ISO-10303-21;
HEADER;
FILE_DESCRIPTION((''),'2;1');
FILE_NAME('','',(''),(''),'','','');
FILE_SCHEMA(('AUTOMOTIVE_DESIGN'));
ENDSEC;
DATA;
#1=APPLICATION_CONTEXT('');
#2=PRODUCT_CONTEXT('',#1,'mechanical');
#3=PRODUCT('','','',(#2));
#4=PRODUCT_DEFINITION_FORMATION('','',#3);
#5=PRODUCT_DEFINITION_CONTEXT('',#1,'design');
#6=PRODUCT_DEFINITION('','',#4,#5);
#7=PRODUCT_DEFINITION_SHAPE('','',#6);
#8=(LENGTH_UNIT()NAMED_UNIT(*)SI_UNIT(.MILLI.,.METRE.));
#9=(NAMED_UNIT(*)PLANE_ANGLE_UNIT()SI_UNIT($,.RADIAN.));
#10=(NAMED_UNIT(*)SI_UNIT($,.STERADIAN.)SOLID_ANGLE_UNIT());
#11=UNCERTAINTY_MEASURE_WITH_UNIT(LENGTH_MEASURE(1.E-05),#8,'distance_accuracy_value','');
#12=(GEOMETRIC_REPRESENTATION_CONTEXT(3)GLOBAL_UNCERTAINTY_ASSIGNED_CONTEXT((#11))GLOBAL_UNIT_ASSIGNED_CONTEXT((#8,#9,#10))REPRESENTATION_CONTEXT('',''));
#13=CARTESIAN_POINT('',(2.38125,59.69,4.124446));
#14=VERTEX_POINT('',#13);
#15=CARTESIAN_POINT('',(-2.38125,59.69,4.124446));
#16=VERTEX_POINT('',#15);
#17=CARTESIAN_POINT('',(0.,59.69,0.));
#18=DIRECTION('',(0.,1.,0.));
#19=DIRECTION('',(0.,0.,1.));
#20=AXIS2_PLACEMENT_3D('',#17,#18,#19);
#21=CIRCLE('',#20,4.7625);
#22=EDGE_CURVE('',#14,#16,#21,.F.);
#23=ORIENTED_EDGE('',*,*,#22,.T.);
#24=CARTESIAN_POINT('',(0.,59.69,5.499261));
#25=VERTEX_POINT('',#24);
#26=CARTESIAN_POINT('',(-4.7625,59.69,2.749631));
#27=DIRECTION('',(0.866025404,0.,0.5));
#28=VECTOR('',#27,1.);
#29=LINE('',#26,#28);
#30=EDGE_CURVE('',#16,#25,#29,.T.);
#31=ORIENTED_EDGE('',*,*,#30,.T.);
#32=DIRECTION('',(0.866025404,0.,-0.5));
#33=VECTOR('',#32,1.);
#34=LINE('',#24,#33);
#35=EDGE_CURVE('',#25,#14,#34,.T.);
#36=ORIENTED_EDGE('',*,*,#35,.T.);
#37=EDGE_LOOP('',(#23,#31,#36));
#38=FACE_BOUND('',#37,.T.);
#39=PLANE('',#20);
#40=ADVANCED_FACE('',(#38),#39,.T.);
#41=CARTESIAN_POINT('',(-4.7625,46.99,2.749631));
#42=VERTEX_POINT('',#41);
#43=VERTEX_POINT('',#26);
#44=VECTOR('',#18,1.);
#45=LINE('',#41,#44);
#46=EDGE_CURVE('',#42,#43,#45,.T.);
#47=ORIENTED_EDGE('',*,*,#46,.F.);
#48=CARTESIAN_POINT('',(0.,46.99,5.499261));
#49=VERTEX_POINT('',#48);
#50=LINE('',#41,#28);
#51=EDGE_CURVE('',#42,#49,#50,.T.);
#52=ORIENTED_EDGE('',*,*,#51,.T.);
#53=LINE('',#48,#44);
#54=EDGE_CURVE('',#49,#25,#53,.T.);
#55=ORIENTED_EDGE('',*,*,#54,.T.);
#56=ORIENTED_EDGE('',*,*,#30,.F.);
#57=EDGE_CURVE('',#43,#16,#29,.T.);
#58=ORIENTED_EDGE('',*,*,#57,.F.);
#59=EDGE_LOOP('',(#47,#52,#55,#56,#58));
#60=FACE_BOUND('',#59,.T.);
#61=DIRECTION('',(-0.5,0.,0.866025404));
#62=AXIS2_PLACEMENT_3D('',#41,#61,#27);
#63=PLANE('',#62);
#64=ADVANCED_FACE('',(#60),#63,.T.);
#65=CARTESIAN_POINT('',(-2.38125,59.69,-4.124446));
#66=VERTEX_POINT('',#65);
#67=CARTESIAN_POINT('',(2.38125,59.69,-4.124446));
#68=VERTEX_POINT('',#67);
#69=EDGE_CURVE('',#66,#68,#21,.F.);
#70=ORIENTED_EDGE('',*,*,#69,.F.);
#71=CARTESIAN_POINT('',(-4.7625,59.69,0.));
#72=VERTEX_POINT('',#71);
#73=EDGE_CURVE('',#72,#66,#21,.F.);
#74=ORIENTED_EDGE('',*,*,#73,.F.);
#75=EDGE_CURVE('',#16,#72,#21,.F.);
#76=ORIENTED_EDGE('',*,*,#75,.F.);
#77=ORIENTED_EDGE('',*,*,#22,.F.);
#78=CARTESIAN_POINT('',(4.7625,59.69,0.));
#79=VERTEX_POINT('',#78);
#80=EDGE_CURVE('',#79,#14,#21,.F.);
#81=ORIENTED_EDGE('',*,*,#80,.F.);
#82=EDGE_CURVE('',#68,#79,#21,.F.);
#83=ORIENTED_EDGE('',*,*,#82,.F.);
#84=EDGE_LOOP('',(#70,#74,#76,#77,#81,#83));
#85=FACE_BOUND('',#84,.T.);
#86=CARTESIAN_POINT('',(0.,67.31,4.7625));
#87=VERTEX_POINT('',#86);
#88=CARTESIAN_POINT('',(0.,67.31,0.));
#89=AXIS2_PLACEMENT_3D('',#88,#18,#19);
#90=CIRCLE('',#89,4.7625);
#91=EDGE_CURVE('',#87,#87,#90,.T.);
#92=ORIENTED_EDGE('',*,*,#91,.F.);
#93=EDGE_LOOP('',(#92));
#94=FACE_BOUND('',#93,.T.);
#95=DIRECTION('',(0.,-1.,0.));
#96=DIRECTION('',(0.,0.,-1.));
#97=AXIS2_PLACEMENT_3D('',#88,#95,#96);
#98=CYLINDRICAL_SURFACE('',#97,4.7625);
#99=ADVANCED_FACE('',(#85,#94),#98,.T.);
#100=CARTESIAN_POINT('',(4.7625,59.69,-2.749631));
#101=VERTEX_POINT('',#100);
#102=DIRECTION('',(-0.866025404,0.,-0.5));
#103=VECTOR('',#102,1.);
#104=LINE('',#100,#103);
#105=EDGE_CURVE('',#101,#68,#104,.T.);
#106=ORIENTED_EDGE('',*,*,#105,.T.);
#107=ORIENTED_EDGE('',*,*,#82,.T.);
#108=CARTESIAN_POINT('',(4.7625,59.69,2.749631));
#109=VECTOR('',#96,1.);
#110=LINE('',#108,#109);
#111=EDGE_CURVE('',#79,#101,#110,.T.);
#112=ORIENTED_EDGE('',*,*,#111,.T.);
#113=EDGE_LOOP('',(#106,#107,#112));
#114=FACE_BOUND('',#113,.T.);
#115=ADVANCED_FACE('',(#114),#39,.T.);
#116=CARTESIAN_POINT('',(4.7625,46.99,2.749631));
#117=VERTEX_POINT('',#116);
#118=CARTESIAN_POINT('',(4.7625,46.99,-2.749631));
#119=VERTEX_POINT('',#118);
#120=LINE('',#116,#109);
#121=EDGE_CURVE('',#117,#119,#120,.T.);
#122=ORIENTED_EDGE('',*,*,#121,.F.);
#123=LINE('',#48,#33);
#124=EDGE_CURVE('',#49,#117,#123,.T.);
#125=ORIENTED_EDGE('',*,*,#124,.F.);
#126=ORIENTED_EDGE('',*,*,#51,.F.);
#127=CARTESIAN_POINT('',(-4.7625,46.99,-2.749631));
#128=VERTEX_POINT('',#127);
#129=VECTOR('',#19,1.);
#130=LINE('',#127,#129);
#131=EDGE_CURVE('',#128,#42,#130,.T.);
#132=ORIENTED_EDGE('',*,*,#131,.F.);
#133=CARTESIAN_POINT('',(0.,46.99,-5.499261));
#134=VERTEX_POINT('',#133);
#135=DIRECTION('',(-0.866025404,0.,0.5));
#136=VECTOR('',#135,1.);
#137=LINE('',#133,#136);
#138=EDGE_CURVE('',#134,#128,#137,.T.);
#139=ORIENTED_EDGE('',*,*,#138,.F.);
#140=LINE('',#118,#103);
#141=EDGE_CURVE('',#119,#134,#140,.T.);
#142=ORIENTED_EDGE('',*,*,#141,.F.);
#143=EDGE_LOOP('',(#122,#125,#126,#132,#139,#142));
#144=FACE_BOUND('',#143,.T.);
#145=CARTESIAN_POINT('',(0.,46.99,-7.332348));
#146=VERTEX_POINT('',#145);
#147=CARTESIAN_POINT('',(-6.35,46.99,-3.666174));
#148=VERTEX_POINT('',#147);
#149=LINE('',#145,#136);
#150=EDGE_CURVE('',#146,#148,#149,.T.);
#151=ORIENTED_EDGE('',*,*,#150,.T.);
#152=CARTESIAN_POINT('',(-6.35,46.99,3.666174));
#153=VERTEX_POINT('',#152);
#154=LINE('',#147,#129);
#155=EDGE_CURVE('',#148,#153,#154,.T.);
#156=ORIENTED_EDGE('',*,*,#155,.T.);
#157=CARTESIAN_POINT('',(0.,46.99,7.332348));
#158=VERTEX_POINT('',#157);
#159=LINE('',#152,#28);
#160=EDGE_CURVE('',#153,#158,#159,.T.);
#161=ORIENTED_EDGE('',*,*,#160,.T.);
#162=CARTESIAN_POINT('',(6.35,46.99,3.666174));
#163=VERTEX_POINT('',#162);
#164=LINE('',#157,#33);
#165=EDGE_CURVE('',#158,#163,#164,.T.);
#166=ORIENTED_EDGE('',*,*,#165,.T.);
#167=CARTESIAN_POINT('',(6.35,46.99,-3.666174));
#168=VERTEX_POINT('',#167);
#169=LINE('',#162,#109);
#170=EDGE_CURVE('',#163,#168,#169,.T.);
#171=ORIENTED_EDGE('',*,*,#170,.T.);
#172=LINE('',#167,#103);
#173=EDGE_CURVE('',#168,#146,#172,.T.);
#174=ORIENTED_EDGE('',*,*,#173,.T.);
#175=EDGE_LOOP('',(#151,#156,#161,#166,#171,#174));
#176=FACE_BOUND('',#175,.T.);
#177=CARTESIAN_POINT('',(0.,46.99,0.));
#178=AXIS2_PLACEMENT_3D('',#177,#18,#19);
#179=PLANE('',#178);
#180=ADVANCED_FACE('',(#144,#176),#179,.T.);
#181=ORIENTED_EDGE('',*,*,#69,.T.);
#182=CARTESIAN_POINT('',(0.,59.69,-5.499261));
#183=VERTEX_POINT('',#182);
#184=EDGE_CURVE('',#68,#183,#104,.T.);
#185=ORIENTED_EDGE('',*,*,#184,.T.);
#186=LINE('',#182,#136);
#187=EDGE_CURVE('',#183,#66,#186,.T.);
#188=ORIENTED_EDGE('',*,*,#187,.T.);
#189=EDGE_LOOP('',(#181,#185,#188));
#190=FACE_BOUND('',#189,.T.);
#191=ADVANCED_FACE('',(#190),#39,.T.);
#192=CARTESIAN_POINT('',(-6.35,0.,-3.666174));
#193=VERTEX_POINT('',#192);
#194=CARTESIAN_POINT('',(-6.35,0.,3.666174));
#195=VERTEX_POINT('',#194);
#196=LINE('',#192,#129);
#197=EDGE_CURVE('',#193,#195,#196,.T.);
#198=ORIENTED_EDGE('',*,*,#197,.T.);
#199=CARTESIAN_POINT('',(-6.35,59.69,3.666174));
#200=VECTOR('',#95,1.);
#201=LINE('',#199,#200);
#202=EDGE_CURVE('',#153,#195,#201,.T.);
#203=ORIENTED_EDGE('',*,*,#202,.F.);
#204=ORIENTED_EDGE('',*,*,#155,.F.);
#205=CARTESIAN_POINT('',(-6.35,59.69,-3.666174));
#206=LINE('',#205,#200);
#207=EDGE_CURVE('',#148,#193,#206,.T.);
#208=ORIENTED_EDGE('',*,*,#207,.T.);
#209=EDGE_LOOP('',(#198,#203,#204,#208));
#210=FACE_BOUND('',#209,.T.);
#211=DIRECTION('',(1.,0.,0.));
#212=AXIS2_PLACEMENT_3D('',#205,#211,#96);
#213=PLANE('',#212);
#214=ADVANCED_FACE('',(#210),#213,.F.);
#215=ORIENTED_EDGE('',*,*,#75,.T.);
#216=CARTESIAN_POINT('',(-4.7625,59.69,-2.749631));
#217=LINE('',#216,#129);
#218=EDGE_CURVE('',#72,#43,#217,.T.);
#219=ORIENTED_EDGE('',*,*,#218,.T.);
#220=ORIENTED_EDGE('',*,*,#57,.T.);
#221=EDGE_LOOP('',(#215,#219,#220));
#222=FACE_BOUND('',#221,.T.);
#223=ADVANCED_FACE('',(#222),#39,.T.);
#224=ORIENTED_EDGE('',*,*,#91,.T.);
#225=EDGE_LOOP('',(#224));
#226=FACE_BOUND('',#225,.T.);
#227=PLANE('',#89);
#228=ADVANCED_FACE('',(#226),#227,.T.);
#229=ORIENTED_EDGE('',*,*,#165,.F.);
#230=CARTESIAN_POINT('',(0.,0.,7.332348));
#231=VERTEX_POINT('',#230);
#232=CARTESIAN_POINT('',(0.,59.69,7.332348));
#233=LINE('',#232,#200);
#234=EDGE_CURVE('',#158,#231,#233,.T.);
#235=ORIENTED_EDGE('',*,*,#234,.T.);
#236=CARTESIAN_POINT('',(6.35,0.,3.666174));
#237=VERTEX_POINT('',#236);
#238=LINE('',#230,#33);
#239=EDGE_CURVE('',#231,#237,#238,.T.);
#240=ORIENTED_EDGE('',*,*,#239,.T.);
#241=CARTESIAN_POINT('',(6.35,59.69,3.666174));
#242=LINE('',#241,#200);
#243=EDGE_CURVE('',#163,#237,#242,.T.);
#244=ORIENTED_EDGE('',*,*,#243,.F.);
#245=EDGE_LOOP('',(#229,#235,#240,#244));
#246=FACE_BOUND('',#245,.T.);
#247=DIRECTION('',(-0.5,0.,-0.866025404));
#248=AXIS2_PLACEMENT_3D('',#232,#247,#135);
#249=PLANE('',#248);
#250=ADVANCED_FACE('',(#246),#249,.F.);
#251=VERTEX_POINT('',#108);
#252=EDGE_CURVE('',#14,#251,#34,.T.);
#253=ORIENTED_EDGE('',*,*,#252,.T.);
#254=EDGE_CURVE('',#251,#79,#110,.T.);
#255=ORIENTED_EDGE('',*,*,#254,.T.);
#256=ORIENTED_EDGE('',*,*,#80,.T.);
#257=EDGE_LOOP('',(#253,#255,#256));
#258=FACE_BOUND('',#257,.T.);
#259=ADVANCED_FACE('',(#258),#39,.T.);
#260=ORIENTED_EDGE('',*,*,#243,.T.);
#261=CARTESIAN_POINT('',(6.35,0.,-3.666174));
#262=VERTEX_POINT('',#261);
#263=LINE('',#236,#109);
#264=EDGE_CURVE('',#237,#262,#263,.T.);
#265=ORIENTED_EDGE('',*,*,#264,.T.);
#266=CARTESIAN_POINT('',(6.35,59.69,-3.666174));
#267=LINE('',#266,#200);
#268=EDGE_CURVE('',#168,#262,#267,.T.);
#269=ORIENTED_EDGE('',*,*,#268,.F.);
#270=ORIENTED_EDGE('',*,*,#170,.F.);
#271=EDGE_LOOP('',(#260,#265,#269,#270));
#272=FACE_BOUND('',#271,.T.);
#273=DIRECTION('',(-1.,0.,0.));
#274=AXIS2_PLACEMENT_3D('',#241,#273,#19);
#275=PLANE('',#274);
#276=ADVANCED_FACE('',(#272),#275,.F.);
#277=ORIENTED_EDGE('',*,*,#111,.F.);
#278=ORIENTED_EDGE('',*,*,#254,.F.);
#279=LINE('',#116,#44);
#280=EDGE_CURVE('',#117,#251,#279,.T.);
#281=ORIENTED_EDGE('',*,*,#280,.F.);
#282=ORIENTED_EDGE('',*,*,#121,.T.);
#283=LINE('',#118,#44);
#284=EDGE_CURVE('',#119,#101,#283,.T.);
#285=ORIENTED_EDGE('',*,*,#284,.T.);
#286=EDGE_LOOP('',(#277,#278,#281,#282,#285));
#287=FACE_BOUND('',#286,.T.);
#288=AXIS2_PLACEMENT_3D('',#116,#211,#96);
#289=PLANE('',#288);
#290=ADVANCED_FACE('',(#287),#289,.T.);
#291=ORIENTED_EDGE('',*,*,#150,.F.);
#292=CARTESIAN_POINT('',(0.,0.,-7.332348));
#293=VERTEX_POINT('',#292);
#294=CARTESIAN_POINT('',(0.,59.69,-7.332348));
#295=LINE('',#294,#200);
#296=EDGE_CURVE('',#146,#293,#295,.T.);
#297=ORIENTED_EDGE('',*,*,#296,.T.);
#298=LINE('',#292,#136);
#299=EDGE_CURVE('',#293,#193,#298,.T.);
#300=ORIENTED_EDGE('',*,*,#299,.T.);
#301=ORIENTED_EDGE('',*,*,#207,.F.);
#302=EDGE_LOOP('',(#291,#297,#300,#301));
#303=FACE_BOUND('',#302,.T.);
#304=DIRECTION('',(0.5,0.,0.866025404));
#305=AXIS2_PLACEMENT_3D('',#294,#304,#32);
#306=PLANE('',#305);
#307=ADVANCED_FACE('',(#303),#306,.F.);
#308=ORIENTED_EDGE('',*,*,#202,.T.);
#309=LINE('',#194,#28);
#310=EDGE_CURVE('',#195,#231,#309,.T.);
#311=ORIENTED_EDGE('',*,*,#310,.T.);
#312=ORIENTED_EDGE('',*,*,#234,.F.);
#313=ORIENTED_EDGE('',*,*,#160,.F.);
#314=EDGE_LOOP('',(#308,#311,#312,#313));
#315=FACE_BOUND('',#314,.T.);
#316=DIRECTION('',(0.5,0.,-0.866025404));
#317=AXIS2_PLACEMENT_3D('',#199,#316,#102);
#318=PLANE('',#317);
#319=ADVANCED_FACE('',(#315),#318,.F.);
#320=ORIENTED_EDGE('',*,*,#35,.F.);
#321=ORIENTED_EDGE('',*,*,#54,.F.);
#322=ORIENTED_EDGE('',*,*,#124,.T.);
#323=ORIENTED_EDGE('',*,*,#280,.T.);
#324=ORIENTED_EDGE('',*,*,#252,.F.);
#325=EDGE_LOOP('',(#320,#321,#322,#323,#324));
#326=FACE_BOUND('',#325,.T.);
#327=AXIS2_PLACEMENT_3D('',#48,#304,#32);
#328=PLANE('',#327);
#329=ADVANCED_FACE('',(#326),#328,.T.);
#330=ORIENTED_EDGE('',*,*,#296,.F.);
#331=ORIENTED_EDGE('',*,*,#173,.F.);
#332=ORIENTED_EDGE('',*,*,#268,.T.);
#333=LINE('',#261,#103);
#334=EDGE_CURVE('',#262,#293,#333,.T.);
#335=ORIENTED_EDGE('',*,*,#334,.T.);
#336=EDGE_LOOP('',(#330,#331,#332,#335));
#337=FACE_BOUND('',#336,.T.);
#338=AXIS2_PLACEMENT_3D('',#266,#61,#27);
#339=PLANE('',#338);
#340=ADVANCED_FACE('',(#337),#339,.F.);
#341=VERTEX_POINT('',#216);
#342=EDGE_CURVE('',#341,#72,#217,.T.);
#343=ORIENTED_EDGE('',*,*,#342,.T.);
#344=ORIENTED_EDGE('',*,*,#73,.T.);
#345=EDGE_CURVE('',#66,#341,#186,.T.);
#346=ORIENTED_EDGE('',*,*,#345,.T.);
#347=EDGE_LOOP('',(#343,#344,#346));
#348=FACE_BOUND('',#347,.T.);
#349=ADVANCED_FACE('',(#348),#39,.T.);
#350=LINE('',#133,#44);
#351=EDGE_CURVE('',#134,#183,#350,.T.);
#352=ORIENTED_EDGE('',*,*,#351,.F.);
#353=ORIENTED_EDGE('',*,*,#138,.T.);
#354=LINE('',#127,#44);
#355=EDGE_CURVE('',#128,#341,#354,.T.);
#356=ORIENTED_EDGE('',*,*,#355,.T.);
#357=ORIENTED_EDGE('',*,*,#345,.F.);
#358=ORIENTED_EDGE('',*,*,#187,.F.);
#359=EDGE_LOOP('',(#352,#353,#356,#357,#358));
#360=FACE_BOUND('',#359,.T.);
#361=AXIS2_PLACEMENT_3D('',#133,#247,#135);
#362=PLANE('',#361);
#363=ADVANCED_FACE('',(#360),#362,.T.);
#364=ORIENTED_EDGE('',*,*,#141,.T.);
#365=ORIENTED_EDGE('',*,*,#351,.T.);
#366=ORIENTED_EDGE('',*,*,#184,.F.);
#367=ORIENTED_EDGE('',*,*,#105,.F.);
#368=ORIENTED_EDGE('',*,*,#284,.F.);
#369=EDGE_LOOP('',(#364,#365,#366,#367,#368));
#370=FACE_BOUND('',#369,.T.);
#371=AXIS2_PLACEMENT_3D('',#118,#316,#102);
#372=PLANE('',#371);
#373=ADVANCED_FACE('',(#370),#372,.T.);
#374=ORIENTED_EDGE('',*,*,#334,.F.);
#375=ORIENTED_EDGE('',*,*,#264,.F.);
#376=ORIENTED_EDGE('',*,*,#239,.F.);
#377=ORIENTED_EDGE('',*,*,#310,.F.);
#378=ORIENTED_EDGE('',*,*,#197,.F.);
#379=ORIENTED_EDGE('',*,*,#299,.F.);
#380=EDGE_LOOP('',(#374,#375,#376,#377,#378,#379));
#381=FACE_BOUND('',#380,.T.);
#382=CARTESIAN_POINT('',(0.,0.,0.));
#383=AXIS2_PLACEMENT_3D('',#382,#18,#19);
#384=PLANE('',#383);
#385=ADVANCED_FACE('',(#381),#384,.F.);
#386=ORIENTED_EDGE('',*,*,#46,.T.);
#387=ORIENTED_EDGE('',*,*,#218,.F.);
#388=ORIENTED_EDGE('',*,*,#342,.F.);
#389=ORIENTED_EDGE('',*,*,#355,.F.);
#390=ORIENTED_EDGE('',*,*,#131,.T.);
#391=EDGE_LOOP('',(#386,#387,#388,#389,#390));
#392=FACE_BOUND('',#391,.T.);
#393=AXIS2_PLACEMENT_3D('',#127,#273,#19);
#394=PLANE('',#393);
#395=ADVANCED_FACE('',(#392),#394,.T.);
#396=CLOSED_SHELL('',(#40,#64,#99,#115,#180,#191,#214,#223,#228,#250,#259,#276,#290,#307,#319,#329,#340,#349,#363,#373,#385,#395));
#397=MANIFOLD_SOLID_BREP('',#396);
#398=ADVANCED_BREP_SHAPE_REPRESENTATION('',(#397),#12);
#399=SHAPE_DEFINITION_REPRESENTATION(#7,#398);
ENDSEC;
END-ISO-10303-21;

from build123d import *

# Parameters (mm, degrees)
BOSS_EXTRUDE1_DEPTH = 59.69
SKETCH2_R           = 4.7625
BOSS_EXTRUDE2_DEPTH = 67.31
CUT_EXTRUDE1_DEPTH  = 12.7


with BuildPart() as part:
    # Sketch1 → Boss-Extrude1 (new body)
    with BuildSketch(Plane(origin=(0, 0, 0), x_dir=(1, 0, 0), z_dir=(0, 1, 0))):
        Polygon((6.35, -3.666174209), (6.35, 3.666174209), (0, 7.332348419), (-6.35, 3.666174209), (-6.35, -3.666174209), (0, -7.332348419), align=None)
    extrude(amount=BOSS_EXTRUDE1_DEPTH)

    # Sketch2 → Boss-Extrude2 (add)
    with BuildSketch(Plane(origin=(0, 0, 0), x_dir=(1, 0, 0), z_dir=(0, 1, 0))):
        Circle(SKETCH2_R)
    extrude(amount=BOSS_EXTRUDE2_DEPTH)

    # Sketch3 → Cut-Extrude1 (cut)
    with BuildSketch(Plane(origin=(0, 59.69, 0), x_dir=(1, 0, 0), z_dir=(0, 1, 0))):
        Polygon((0, -7.332348419), (6.35, -3.666174209), (6.35, 3.666174209), (0, 7.332348419), (-6.35, 3.666174209), (-6.35, -3.666174209), align=None)
        Polygon((4.7625, -2.749630657), (4.7625, 2.749630657), (0, 5.499261314), (-4.7625, 2.749630657), (-4.7625, -2.749630657), (0, -5.499261314), align=None, mode=Mode.SUBTRACT)
    extrude(amount=-CUT_EXTRUDE1_DEPTH, mode=Mode.SUBTRACT)


solid = part.part
